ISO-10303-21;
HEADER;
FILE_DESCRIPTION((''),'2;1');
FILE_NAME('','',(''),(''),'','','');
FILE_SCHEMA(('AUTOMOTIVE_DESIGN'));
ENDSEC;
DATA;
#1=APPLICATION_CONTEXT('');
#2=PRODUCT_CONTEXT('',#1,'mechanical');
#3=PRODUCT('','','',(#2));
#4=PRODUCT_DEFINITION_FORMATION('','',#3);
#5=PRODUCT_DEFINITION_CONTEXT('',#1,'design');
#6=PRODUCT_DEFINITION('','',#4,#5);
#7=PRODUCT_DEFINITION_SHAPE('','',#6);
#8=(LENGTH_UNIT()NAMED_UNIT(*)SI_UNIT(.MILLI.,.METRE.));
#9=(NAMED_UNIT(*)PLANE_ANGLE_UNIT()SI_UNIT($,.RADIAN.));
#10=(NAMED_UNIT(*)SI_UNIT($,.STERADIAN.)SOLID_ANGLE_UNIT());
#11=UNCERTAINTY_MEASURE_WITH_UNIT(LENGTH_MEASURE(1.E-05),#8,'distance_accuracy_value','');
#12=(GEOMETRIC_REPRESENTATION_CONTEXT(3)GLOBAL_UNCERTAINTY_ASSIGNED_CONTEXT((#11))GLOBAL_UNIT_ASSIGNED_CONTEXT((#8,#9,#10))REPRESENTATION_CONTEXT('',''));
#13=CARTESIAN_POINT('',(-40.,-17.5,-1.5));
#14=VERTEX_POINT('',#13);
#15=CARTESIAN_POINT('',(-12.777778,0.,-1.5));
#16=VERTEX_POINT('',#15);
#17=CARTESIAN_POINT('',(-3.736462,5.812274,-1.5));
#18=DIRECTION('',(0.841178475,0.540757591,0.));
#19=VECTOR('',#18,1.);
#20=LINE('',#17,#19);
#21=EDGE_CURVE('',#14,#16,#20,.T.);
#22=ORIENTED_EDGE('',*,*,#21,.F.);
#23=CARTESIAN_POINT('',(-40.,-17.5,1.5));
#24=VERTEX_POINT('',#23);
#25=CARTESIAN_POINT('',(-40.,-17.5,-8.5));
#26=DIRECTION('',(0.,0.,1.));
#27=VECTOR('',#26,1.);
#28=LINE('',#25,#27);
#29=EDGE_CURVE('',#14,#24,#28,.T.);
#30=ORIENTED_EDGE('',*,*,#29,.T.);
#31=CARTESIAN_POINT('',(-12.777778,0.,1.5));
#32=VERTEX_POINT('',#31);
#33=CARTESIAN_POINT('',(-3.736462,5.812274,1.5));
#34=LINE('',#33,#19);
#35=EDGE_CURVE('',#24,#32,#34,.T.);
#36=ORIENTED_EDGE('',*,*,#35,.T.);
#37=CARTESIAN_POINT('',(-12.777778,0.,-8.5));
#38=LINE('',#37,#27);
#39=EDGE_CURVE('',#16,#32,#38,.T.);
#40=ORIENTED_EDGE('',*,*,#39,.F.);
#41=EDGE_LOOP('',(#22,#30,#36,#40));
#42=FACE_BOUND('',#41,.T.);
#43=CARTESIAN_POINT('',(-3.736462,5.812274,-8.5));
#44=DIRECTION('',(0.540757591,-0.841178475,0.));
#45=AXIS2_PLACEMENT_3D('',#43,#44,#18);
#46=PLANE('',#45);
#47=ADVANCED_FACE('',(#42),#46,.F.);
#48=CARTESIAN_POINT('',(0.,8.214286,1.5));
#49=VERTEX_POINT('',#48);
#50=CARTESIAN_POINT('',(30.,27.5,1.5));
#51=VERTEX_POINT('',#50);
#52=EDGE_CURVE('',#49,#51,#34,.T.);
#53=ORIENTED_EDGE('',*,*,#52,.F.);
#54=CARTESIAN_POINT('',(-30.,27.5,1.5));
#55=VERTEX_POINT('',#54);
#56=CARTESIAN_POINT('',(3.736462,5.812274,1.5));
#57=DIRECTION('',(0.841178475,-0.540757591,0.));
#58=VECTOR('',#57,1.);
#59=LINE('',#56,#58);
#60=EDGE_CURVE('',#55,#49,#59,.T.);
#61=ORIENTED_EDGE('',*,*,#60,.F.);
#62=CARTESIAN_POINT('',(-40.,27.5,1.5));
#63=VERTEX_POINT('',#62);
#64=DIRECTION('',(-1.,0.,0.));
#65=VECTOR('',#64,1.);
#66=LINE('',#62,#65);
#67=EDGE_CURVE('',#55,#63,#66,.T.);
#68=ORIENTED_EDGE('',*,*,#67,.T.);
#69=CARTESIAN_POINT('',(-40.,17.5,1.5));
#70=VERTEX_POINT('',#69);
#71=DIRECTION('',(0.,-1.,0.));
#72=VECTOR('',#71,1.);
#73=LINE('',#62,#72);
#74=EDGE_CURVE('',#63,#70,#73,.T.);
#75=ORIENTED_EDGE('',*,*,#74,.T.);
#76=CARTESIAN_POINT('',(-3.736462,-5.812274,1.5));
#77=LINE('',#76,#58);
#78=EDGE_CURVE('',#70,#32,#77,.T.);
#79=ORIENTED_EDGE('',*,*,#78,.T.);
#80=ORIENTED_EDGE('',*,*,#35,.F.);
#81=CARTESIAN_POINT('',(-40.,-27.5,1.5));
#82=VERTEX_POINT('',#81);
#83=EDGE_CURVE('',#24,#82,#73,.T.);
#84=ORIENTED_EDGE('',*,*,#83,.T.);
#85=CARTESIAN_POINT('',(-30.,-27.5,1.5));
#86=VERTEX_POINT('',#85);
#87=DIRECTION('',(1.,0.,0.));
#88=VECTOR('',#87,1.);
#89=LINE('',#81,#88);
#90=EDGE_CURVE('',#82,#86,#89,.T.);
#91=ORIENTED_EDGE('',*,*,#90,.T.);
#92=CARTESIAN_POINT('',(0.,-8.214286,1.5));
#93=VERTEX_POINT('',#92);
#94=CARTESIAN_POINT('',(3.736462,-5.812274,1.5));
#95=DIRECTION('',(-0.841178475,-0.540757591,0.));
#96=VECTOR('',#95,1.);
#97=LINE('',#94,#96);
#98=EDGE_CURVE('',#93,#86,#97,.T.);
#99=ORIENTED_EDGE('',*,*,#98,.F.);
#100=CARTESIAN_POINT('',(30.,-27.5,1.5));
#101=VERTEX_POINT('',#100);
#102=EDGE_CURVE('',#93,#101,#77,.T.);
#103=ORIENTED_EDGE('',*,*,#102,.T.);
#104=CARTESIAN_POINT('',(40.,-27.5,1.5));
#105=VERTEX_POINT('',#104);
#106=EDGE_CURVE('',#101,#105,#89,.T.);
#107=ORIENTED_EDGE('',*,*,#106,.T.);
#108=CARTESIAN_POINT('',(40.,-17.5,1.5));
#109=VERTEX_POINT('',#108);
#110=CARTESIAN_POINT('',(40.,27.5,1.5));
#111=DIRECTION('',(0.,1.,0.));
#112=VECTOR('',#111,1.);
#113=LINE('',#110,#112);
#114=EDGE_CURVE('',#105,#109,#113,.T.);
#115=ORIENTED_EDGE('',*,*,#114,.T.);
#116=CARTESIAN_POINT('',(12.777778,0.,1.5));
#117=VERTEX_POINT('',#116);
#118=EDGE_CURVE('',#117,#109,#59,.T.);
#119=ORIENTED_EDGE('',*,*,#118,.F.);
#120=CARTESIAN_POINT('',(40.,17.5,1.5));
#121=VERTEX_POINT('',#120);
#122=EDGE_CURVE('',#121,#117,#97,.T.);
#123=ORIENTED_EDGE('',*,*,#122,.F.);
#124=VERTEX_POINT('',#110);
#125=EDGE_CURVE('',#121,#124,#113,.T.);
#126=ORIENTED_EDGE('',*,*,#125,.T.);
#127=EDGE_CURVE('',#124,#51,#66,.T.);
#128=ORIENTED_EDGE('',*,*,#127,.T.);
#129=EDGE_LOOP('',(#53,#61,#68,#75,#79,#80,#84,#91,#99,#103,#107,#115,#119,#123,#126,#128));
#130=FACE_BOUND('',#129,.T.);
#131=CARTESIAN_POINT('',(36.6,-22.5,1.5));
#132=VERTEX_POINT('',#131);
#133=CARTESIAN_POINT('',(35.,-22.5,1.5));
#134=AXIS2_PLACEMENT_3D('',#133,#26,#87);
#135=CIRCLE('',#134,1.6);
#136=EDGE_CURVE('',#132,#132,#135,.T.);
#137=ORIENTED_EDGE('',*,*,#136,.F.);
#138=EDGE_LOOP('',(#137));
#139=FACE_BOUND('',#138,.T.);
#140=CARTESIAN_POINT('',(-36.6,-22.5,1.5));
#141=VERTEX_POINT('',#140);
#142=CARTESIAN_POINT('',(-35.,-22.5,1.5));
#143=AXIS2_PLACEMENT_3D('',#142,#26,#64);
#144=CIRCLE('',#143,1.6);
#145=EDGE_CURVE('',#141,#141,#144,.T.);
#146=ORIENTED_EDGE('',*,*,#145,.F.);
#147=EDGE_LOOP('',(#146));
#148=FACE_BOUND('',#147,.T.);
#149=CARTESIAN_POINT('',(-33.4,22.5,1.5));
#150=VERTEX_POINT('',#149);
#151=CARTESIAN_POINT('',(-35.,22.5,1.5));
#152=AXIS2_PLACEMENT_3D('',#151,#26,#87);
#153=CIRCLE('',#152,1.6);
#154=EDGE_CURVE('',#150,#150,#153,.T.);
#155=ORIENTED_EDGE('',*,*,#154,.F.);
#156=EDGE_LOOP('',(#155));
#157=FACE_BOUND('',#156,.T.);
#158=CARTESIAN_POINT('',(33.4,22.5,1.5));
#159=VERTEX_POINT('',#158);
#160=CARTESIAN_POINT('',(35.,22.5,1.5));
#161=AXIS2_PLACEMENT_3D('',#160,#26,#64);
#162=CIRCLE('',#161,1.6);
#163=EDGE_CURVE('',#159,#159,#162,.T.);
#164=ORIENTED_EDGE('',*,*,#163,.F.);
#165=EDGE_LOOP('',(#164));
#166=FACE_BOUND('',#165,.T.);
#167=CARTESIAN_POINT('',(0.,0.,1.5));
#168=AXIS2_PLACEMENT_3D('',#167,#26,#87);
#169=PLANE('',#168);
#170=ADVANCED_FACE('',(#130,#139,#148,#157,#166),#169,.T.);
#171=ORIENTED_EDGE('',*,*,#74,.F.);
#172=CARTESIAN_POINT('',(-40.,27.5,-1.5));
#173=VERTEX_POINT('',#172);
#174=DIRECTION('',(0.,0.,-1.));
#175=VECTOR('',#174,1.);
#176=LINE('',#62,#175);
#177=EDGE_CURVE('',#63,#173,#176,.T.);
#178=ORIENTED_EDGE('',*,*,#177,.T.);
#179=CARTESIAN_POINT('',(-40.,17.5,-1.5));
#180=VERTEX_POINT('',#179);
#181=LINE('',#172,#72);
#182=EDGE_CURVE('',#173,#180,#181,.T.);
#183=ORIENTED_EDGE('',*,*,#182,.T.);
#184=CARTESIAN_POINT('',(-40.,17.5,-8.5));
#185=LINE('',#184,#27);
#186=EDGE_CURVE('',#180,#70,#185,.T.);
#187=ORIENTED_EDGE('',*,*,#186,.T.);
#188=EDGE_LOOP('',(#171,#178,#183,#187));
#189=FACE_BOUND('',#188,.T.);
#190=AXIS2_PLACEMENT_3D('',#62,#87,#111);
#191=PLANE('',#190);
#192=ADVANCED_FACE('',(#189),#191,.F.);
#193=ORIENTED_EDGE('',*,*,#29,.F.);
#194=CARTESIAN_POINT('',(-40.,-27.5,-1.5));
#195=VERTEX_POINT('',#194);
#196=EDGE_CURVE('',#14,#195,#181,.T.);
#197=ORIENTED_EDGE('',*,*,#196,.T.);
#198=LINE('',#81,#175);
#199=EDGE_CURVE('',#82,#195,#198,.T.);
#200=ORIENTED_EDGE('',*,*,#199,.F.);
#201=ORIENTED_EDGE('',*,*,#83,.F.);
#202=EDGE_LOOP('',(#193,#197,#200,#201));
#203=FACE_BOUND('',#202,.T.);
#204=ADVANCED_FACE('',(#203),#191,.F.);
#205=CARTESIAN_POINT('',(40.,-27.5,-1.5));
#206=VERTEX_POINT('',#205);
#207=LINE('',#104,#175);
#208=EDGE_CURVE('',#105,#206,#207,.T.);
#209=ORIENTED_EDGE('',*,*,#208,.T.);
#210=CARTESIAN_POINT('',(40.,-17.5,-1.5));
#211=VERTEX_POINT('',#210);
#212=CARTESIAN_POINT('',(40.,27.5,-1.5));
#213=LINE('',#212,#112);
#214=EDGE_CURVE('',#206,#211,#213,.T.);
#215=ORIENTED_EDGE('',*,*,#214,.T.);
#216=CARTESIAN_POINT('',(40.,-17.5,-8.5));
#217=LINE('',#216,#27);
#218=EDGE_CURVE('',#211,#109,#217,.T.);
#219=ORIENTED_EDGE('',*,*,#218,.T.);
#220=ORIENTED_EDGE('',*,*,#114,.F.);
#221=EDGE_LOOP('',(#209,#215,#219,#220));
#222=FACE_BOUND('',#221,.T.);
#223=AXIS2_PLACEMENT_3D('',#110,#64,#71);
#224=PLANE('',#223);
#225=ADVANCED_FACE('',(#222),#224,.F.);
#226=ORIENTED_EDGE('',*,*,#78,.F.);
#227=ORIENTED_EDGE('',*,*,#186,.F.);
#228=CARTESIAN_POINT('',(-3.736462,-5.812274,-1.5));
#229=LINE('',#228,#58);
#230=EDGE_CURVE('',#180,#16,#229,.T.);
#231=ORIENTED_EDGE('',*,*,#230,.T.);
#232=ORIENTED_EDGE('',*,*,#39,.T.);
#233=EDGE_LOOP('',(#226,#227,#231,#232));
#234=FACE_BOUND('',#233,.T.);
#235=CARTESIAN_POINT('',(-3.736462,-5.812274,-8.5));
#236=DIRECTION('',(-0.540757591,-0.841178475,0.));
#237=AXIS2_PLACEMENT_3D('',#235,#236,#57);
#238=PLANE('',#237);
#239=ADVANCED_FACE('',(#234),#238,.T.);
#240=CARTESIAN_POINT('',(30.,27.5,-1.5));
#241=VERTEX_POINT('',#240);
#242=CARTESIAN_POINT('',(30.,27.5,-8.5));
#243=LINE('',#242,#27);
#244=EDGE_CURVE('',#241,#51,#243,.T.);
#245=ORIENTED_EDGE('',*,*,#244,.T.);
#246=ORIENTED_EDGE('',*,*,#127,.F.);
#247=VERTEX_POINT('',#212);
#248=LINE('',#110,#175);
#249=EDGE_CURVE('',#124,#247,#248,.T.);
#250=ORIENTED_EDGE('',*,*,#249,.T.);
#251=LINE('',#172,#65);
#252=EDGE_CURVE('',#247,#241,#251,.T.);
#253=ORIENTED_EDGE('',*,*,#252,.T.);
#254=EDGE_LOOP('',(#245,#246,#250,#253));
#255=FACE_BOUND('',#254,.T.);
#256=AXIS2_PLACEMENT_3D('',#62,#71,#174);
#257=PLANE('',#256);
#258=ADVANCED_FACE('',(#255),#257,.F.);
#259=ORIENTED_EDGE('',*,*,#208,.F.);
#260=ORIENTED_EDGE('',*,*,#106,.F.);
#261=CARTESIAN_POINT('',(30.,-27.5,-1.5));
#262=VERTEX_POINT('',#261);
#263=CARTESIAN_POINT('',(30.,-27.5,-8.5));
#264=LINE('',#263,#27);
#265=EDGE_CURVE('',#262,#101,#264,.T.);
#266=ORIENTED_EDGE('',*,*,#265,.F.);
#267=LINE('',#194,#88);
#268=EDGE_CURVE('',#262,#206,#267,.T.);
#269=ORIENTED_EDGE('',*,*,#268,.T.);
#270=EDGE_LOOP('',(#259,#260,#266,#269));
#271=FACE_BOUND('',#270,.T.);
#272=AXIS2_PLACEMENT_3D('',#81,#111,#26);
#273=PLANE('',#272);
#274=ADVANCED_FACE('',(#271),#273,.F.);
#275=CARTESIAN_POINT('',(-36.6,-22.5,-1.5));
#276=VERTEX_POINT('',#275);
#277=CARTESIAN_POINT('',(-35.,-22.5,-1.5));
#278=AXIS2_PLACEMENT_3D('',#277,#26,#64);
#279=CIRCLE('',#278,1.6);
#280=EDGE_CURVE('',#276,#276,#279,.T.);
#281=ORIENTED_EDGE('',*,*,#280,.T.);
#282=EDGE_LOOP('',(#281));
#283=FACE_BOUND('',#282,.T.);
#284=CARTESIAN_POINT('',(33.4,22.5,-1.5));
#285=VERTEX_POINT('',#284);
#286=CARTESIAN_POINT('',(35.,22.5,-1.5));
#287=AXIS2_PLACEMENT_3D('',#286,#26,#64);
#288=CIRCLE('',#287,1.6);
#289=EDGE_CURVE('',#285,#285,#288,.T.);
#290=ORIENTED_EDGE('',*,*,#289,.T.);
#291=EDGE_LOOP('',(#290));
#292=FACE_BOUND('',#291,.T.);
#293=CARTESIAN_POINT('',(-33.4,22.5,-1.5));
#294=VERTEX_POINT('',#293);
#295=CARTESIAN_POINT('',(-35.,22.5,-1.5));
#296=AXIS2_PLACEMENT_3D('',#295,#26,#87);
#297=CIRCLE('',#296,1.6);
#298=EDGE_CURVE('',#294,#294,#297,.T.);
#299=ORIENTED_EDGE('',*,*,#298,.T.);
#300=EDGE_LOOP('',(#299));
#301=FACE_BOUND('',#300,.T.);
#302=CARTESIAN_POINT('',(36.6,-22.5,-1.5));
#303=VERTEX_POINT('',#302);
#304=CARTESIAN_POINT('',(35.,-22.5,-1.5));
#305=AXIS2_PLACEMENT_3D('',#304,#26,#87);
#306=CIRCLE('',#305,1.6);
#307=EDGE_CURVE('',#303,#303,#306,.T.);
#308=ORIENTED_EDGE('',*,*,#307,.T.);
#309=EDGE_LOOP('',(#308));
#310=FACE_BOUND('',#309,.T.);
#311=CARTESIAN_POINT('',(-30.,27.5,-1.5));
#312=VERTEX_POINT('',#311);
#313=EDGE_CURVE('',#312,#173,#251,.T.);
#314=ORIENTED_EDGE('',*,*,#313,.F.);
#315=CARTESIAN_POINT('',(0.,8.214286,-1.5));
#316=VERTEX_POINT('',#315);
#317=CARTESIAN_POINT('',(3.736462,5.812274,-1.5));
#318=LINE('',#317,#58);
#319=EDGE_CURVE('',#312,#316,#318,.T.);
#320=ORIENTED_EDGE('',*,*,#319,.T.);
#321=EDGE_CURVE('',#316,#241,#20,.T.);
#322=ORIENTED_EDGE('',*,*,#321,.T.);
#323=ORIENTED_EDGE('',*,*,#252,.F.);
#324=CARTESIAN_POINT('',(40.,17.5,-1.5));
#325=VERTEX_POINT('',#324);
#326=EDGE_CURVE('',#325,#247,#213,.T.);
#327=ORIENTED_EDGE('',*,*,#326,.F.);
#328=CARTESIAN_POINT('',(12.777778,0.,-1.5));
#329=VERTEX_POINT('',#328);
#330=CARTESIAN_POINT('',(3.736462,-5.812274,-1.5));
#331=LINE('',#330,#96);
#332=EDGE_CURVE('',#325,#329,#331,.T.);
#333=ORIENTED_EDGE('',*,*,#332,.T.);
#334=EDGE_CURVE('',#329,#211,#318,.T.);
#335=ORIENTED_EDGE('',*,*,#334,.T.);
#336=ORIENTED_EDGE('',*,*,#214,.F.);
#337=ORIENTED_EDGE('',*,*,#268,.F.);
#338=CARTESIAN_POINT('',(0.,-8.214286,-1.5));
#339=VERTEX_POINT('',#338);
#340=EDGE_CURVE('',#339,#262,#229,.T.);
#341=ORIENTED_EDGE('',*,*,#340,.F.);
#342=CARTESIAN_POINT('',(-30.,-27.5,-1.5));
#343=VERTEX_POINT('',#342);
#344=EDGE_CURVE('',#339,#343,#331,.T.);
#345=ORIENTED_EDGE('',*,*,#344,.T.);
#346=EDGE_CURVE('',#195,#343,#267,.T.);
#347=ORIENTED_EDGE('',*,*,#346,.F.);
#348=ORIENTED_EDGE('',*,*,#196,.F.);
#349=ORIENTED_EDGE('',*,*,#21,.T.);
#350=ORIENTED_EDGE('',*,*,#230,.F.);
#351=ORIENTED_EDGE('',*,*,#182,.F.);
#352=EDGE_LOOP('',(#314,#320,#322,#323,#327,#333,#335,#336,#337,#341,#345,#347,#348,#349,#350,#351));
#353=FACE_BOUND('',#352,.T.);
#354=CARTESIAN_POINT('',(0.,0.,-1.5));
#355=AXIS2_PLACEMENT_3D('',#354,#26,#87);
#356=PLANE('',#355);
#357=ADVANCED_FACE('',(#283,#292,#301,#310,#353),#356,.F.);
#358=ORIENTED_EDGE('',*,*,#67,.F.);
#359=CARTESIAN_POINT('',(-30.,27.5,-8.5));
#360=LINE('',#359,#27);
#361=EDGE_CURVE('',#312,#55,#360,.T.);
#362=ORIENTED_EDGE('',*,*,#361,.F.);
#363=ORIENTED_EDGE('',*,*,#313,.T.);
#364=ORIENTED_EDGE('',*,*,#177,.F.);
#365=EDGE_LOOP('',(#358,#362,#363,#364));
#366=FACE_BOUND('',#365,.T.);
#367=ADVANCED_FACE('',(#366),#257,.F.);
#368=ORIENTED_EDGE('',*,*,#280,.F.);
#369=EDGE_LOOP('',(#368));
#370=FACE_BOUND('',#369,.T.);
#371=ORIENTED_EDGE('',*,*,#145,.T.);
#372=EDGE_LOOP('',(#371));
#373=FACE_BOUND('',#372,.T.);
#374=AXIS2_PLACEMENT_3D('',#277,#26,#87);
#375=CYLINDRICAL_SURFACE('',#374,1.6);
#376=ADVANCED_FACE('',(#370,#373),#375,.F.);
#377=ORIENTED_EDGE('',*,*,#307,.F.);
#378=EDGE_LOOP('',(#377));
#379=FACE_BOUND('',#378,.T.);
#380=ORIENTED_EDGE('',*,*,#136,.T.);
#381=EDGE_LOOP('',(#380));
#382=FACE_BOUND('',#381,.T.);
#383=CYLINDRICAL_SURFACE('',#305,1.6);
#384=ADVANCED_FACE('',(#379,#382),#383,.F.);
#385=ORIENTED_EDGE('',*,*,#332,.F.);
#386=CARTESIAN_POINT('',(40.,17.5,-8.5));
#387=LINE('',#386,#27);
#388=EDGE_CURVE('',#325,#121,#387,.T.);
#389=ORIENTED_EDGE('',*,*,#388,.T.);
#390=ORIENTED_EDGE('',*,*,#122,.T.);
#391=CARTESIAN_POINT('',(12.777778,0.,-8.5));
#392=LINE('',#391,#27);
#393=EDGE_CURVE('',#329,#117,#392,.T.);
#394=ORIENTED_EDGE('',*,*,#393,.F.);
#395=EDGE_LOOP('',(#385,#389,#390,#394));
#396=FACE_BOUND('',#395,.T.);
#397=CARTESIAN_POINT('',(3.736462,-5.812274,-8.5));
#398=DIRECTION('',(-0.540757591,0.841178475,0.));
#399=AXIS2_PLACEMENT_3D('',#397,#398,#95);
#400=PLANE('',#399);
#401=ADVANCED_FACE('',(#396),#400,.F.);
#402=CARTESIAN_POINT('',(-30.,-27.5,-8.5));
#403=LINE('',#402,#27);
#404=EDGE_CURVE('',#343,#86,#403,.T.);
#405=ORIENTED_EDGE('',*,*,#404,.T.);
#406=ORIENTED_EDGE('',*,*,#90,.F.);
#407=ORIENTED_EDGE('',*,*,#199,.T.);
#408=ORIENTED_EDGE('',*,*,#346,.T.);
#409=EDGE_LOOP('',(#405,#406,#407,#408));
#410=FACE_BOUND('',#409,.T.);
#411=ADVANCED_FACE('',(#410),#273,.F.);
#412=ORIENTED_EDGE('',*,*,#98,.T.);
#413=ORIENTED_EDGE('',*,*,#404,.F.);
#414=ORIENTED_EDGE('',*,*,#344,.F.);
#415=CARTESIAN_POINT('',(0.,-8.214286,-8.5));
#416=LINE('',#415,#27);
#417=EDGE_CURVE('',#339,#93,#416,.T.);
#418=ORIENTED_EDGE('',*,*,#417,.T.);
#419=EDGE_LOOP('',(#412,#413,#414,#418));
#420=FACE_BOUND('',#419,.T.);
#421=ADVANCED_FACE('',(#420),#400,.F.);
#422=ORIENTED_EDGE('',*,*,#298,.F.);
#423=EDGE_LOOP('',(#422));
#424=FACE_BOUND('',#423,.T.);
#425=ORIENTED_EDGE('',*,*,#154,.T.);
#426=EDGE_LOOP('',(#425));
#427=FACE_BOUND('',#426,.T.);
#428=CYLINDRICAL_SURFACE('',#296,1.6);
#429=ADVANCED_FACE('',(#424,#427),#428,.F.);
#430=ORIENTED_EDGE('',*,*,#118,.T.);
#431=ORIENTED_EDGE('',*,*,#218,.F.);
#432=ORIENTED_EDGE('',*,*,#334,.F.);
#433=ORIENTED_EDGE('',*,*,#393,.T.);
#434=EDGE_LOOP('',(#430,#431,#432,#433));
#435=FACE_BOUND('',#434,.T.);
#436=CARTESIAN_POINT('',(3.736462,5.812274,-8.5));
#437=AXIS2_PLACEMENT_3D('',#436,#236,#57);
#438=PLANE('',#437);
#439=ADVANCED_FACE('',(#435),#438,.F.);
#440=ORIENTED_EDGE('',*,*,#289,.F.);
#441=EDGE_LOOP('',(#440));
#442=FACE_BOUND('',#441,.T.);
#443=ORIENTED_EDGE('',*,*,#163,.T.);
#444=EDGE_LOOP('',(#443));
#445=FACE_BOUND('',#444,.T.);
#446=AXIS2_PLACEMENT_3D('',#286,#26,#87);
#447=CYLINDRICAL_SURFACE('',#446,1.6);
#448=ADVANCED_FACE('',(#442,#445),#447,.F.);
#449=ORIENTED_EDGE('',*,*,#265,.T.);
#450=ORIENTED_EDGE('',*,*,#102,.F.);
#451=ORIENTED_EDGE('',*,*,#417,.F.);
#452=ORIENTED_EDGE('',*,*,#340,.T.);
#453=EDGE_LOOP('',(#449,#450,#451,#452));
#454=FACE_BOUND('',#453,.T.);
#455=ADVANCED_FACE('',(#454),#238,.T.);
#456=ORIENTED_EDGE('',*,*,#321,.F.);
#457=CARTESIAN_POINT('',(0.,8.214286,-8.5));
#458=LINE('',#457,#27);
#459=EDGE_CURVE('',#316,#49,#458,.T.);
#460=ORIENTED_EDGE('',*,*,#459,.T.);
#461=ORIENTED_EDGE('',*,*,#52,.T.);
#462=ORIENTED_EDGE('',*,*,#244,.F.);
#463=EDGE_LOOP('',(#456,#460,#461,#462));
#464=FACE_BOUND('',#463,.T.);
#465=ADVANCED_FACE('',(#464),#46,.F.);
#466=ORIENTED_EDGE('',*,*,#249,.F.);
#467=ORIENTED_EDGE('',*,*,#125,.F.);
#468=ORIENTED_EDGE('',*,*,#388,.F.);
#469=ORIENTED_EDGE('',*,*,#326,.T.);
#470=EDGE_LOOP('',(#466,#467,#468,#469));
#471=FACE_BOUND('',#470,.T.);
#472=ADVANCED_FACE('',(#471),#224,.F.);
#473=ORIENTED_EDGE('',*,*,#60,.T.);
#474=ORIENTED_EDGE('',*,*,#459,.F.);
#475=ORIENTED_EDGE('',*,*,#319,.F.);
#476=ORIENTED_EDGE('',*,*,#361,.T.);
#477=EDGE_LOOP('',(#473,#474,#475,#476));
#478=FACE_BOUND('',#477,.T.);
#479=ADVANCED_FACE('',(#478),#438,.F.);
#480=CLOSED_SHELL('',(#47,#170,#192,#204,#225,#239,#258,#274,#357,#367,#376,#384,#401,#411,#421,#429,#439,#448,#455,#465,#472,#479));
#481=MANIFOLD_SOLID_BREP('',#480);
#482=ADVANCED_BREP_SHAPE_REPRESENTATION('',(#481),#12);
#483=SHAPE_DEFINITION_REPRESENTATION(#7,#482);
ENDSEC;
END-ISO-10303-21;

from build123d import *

# Parameters (mm, degrees)
SKETCH_1_W          = 80
SKETCH_1_H          = 55
EXTRUDE_1_DEPTH     = 1.5
SKETCH_3_R          = 1.6
CUT_EXTRUDE_2_DEPTH = 49.633835958
CUT_EXTRUDE_3_DEPTH = 10


with BuildPart() as part:
    # ｽｹｯﾁ1 → ﾎﾞｽ - 押し出し1 (new, symmetric)
    with BuildSketch(Plane.XY):
        Rectangle(SKETCH_1_W, SKETCH_1_H)
    extrude(amount=EXTRUDE_1_DEPTH, both=True)

    # ｽｹｯﾁ3 → ｶｯﾄ - 押し出し2 (cut, through all)
    with BuildSketch(Plane.XY.offset(1.5)):
        with Locations((-35, 22.5)):
            Circle(SKETCH_3_R)
        with Locations(Location((35, 22.5, 0), (0, 0, 180))):
            Circle(SKETCH_3_R)
        with Locations((35, -22.5)):
            Circle(SKETCH_3_R)
        with Locations(Location((-35, -22.5, 0), (0, 0, 180))):
            Circle(SKETCH_3_R)
    extrude(amount=-CUT_EXTRUDE_2_DEPTH, mode=Mode.SUBTRACT)

    # ｽｹｯﾁ4 → ｶｯﾄ - 押し出し3 (cut)
    with BuildSketch(Plane.XY.offset(1.5)):
        Polygon((30, 27.5), (-30, 27.5), (0, 8.214285714), align=None)
        Polygon((-40, -17.5), (-12.777777778, 0), (-40, 17.5), align=None)
        Polygon((30, -27.5), (0, -8.214285714), (-30, -27.5), align=None)
        Polygon((40, 17.5), (12.777777778, 0), (40, -17.5), align=None)
    extrude(amount=-CUT_EXTRUDE_3_DEPTH, mode=Mode.SUBTRACT)


solid = part.part
